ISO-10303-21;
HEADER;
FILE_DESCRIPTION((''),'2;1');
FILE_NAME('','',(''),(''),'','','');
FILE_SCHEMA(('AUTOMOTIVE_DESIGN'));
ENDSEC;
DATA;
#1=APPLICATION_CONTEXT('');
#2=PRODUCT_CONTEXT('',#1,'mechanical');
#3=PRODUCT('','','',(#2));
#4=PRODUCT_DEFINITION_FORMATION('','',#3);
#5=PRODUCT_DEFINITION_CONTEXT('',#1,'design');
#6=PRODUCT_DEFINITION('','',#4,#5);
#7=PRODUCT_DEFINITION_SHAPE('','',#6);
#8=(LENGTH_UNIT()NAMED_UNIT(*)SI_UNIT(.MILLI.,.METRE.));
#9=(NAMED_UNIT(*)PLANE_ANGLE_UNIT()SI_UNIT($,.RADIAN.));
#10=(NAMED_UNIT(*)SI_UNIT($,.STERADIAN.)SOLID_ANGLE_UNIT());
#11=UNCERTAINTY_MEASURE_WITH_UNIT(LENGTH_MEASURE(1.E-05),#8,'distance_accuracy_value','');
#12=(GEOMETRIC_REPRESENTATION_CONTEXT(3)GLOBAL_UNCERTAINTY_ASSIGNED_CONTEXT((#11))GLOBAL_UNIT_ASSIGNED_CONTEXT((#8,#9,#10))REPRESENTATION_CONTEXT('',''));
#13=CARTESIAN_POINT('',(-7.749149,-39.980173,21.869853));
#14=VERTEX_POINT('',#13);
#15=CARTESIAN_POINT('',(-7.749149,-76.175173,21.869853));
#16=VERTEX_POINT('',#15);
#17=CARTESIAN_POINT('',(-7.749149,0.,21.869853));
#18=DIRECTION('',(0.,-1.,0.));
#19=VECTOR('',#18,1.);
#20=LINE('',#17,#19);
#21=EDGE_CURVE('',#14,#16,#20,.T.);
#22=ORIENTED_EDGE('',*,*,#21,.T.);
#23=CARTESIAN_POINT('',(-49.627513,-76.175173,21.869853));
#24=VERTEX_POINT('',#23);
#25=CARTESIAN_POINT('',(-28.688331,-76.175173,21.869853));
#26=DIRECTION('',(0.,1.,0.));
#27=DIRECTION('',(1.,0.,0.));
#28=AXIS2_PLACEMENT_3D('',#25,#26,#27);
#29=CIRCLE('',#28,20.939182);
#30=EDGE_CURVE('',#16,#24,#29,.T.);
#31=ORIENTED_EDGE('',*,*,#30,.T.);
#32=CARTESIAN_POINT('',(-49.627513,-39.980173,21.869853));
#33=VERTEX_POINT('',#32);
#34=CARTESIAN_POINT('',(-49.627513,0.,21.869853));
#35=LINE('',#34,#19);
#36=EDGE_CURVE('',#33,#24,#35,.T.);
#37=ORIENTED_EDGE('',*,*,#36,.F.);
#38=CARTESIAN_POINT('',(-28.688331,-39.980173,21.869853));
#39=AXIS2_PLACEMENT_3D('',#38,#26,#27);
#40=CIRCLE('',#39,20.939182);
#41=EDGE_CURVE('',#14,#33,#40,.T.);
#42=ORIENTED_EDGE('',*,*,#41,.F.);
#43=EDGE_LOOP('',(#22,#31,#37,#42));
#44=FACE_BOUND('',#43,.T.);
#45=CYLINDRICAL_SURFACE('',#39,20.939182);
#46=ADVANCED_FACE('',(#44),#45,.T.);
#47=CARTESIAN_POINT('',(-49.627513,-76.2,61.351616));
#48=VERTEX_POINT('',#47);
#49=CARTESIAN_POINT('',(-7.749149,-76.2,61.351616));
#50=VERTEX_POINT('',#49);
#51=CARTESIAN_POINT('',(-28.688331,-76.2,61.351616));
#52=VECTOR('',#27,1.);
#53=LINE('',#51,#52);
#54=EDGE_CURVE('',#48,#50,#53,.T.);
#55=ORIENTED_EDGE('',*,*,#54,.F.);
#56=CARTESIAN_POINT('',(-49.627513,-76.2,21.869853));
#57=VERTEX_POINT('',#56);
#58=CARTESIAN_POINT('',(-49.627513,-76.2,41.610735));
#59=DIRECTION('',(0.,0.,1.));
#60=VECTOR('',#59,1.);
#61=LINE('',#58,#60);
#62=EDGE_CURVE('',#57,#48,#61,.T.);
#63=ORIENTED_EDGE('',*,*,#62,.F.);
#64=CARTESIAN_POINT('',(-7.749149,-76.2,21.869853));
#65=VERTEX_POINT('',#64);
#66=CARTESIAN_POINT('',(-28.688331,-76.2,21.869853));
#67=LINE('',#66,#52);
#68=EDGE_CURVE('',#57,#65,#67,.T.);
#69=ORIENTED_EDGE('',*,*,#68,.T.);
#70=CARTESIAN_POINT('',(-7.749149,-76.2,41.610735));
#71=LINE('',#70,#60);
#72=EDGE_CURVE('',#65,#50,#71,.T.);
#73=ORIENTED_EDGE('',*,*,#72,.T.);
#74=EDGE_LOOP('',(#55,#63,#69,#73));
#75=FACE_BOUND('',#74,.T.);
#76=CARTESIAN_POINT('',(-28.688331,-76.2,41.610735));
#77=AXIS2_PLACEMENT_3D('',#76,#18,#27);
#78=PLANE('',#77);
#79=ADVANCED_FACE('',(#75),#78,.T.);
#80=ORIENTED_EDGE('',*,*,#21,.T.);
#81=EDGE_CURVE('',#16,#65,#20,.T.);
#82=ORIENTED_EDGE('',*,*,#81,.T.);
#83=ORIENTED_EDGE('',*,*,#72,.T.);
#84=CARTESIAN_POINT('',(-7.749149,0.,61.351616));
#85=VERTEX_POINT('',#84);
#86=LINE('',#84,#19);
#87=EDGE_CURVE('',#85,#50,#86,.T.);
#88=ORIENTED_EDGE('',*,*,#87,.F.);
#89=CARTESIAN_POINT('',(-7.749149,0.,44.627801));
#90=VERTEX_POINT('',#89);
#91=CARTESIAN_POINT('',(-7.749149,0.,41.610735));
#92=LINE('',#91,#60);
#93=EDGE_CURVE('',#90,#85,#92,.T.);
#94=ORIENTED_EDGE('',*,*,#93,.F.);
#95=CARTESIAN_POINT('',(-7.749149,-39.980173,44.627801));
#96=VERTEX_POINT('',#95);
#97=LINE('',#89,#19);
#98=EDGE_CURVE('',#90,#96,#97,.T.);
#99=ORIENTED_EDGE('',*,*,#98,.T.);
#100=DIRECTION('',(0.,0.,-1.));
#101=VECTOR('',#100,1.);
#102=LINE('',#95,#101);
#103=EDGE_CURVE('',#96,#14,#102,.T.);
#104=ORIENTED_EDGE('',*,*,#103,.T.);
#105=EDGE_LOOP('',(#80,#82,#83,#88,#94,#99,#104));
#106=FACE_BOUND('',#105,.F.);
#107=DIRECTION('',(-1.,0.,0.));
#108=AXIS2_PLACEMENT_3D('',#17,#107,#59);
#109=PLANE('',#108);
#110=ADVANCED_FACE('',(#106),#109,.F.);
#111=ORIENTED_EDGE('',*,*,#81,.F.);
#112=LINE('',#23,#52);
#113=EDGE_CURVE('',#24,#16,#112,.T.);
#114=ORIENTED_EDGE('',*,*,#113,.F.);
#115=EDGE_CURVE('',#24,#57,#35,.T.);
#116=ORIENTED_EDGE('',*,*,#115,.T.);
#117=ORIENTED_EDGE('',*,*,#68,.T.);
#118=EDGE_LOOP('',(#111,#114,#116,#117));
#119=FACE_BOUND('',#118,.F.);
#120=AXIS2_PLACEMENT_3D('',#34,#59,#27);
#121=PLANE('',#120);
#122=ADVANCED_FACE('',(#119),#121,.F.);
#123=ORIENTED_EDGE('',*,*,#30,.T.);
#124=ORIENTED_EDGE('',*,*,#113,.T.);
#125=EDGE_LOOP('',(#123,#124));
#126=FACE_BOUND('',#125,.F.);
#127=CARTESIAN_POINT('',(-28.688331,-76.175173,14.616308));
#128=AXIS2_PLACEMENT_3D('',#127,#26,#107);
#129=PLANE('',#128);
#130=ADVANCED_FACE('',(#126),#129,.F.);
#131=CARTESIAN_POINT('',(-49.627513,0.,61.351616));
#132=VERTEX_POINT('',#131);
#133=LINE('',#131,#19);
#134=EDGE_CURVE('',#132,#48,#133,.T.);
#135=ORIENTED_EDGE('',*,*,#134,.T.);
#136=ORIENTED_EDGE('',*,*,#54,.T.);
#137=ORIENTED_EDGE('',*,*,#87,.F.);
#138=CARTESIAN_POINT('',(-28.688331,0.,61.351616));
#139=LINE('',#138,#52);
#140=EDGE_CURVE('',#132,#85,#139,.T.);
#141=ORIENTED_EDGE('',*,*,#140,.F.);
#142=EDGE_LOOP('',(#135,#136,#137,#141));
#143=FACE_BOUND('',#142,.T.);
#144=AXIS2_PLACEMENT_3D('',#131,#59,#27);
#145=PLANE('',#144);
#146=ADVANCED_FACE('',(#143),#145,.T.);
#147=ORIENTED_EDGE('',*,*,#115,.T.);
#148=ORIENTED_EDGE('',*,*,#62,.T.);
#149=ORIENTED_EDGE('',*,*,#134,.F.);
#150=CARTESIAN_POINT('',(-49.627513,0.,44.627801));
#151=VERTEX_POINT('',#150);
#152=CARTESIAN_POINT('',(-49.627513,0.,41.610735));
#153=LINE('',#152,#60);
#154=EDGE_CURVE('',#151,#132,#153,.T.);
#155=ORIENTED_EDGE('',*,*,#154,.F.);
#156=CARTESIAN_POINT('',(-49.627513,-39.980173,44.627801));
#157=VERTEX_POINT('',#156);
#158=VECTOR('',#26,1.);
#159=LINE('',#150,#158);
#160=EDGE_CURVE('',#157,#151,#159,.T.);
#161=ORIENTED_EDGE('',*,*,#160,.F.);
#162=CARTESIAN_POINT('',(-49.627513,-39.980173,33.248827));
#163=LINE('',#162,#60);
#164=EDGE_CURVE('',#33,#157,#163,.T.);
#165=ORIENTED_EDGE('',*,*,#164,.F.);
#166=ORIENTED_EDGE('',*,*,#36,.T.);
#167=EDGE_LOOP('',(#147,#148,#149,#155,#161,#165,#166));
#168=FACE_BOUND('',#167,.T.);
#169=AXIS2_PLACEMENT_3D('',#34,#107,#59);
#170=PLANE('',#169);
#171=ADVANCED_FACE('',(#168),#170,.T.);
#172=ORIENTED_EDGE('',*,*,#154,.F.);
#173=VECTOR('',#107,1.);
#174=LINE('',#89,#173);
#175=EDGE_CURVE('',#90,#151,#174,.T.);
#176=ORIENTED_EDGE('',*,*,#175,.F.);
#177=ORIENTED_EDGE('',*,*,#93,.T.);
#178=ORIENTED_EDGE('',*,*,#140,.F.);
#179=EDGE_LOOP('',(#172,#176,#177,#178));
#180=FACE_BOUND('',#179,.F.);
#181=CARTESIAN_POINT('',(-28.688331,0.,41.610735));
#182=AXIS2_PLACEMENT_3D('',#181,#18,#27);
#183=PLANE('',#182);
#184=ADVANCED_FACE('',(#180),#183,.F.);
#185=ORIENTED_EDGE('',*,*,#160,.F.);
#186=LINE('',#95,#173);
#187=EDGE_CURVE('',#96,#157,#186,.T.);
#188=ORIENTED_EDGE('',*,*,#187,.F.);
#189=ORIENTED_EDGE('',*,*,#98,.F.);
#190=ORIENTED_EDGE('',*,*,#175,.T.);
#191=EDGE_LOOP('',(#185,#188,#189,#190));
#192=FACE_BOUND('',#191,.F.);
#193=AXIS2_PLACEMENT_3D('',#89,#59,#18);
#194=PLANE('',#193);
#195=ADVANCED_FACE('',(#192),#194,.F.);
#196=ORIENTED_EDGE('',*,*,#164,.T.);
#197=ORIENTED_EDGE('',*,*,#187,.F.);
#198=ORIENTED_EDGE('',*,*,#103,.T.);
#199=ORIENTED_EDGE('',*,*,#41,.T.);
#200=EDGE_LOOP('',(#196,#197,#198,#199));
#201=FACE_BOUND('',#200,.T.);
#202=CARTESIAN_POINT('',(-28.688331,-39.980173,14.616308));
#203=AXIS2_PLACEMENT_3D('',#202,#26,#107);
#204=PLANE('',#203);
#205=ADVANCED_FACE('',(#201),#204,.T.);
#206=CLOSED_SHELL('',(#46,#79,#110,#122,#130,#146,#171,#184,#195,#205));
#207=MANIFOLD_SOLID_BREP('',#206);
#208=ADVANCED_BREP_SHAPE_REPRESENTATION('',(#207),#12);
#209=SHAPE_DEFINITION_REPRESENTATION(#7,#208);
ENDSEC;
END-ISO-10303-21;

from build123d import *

# Parameters (mm, degrees)
F0_W     = 41.8783635832
F0_H     = 39.4817627966
F1_DEPTH = 76.2
F3_DEPTH = 76.2
F5_DEPTH = 36.195
F7_DEPTH = 76.2


with BuildPart() as f1:
    # F0 (on Front) → F1 (new body)
    with BuildSketch(Plane.XZ):
        with Locations((-28.6883309018, 41.6107345372)):
            Rectangle(F0_W, F0_H)
    extrude(amount=F1_DEPTH)

    # F2 (on face) → F3 (cut)
    with BuildSketch(Plane.YZ.offset(-7.7491491102)):
        Polygon((0, 21.8698531389), (-39.980173111, 44.6278005838), (-39.980173111, 21.8698531389), align=None)
    extrude(amount=-F3_DEPTH, mode=Mode.SUBTRACT)

    # F4 (on face) → F5 (join)
    with BuildSketch(Plane(origin=(0, -39.980173111, 0), x_dir=(-1, 0, 0), z_dir=(0, 1, 0))):
        with BuildLine():
            Line((49.6275126934, 21.8698531389), (7.7491491102, 21.8698531389))
            ThreePointArc((7.7491491102, 21.8698531389), (28.6883309018, 0.9306713473), (49.6275126934, 21.8698531389))
        make_face()
    extrude(amount=-F5_DEPTH)

    # F6 (on face) → F7 (cut)
    with BuildSketch(Plane.YZ.offset(-7.7491491102)):
        Polygon((0, 44.6278005838), (-39.980173111, 44.6278005838), (0, 21.8698531389), align=None)
    extrude(amount=-F7_DEPTH, mode=Mode.SUBTRACT)


solid = f1.part
